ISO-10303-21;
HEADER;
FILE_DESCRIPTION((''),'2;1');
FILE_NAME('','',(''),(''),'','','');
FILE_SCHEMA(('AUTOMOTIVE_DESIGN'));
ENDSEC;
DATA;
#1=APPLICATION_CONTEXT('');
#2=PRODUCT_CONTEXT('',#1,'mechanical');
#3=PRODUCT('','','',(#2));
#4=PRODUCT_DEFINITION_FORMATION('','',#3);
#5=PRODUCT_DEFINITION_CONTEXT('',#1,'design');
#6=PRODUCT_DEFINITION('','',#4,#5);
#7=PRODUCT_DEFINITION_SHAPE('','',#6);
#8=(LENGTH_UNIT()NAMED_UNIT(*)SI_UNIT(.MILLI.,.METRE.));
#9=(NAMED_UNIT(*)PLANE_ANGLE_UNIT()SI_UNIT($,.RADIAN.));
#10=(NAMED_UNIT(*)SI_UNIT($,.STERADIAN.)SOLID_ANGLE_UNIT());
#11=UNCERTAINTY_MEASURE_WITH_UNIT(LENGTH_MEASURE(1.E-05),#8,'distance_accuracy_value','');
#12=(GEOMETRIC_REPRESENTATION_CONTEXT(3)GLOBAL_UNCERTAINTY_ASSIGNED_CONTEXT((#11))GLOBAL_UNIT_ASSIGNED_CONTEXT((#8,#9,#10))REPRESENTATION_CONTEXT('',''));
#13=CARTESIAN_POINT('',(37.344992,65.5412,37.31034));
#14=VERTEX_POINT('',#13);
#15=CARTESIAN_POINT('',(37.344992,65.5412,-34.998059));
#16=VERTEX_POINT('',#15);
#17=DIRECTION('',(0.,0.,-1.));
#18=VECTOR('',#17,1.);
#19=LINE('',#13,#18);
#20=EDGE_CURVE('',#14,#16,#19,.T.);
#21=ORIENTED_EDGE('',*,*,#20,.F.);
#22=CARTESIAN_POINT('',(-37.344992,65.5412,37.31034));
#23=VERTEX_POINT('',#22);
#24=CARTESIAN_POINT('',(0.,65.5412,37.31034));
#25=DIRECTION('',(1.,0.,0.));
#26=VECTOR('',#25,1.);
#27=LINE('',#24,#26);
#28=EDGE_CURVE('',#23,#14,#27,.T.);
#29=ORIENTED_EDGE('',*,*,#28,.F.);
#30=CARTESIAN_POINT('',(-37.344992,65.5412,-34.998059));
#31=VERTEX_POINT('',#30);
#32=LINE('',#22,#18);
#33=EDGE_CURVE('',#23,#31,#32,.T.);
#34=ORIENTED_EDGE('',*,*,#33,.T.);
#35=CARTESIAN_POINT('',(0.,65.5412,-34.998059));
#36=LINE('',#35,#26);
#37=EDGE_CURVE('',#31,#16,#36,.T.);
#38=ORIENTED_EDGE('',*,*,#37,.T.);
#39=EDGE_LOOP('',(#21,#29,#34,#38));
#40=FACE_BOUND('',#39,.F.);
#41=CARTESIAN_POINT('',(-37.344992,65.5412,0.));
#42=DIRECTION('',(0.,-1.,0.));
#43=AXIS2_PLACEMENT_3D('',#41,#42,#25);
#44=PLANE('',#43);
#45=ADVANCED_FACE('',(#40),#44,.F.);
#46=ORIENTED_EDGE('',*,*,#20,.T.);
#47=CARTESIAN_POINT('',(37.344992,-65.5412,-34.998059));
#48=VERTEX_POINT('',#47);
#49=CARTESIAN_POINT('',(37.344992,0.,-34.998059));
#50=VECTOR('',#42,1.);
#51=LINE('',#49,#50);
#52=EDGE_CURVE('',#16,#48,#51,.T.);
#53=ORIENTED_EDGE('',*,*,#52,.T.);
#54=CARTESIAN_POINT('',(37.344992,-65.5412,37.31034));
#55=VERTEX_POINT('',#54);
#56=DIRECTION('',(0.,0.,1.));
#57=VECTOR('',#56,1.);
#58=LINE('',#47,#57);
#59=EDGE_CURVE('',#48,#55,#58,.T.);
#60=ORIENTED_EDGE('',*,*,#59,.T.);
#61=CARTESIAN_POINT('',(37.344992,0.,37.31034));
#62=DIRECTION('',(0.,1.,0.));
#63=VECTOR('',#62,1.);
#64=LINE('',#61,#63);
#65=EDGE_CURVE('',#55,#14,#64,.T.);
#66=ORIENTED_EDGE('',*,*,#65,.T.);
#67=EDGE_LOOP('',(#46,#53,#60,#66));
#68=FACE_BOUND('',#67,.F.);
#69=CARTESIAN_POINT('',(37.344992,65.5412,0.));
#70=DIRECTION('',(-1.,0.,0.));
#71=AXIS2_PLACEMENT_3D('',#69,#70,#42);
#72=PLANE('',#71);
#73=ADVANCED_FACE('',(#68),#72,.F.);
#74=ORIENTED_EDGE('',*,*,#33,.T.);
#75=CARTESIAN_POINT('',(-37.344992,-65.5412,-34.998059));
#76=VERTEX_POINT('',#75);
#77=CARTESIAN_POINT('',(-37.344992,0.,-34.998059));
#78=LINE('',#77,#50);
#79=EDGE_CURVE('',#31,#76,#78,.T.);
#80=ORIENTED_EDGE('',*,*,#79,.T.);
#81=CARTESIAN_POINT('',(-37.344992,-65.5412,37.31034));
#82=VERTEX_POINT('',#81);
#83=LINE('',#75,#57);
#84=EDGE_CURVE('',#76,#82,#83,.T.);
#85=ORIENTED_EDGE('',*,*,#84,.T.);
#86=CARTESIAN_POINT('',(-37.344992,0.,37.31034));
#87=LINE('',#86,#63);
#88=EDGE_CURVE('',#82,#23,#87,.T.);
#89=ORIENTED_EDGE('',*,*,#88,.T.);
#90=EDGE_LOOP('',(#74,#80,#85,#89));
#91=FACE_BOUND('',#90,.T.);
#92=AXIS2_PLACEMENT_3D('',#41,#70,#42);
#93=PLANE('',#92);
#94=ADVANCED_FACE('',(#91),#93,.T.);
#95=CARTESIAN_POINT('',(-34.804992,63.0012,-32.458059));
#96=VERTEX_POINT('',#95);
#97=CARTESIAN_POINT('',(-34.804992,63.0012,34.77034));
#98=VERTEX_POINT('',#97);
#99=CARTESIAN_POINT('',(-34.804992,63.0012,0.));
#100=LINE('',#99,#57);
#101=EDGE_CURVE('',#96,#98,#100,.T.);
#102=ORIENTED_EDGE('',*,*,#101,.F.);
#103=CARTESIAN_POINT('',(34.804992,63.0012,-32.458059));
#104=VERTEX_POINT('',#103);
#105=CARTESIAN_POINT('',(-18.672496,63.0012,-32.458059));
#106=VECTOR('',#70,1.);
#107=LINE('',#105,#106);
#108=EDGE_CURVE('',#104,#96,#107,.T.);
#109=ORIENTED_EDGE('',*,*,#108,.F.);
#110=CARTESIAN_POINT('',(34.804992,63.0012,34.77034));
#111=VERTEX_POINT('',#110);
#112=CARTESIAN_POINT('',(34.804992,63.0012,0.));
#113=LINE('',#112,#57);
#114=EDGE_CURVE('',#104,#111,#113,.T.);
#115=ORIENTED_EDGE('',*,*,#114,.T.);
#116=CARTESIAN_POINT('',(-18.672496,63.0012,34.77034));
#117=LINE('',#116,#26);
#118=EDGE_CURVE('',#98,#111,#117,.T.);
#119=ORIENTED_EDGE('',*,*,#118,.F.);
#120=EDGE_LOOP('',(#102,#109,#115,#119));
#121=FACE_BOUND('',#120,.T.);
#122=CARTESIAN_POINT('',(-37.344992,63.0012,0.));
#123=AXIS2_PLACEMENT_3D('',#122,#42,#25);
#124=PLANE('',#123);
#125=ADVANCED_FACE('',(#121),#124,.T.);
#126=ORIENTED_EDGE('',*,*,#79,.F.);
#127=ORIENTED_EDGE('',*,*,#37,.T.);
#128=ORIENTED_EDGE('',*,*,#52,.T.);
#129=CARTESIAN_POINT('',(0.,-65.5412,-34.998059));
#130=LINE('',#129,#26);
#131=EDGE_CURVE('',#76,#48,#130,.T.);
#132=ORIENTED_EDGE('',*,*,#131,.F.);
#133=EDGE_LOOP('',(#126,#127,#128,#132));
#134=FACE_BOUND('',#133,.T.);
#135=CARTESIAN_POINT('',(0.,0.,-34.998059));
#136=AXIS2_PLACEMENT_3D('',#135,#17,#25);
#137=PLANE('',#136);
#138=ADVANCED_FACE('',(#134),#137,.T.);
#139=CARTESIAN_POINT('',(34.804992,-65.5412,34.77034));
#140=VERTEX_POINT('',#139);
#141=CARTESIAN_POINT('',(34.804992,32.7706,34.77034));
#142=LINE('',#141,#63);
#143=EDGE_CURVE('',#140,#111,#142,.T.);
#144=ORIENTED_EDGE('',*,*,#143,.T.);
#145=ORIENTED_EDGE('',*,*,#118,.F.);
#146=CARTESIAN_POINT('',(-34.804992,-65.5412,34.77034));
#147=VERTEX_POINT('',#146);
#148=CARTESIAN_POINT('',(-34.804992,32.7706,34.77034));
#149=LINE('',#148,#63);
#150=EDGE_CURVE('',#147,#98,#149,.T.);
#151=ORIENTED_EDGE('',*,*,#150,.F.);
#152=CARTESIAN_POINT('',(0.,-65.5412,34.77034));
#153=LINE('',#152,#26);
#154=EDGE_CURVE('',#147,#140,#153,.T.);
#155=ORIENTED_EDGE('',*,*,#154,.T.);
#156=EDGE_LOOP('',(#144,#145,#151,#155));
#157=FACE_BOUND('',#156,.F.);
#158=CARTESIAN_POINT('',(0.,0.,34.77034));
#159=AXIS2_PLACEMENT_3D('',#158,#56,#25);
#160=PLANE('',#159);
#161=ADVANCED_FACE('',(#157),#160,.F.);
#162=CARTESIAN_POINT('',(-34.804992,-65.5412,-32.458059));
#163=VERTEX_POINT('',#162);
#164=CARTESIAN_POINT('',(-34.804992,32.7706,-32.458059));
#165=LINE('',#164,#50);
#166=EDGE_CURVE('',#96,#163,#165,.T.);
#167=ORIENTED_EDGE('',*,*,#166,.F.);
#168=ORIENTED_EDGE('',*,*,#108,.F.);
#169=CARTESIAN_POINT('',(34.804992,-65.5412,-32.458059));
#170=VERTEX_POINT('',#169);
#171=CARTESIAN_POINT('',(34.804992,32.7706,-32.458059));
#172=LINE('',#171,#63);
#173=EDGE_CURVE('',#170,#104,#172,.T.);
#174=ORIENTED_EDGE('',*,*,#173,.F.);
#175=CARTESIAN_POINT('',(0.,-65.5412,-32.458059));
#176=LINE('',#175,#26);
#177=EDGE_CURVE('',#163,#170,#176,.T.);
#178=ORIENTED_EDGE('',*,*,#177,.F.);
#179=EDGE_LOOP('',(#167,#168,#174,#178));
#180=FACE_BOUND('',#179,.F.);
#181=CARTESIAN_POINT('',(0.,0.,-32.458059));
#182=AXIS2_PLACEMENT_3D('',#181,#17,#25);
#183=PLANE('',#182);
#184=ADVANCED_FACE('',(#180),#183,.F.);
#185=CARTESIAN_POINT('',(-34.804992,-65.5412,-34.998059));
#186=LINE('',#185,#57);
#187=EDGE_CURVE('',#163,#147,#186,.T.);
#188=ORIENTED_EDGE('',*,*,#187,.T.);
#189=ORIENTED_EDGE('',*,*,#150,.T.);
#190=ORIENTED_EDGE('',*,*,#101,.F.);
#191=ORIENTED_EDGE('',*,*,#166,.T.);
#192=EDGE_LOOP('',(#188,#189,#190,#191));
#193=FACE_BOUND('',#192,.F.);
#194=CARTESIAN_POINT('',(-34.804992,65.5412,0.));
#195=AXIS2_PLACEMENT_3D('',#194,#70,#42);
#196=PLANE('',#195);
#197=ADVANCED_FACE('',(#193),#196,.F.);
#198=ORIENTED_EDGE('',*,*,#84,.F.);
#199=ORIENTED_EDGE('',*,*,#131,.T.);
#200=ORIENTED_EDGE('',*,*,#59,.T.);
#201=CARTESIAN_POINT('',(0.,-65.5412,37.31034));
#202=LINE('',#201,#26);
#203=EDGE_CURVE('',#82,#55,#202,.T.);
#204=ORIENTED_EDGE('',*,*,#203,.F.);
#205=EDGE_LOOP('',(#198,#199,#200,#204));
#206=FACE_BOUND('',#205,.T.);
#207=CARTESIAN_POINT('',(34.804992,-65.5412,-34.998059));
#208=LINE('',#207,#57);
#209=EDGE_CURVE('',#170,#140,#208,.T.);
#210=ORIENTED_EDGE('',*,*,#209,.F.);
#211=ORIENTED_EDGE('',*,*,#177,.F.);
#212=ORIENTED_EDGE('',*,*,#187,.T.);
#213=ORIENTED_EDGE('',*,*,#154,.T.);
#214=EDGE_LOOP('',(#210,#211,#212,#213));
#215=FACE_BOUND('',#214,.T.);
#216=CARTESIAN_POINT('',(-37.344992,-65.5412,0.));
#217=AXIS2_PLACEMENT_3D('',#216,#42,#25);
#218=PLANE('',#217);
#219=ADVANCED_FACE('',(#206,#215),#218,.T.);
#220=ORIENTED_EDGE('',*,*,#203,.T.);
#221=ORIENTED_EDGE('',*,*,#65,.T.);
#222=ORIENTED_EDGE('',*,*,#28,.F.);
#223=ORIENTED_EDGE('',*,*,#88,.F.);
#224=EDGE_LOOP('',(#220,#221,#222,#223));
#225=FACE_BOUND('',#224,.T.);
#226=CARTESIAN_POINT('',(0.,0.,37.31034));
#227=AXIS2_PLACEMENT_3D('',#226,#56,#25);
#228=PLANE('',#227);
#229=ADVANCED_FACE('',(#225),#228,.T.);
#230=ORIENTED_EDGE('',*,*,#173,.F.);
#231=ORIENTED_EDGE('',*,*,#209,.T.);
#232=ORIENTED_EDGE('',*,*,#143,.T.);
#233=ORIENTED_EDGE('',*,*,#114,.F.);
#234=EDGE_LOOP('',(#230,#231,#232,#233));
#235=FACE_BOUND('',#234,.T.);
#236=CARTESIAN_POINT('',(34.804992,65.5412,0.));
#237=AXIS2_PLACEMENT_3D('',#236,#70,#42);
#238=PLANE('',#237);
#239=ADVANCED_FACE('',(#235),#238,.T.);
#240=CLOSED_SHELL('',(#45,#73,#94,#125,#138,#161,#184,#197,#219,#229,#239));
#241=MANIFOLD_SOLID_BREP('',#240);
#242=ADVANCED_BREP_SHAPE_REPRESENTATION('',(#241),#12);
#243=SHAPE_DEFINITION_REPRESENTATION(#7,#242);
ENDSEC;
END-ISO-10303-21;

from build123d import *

# Parameters (mm, degrees)
F0_W      = 74.689984
F0_H      = 131.0824
F1_DEPTH  = 37.31034
F1_FACE_W = 74.689984
F1_FACE_H = 131.0824
F2_DEPTH  = 34.998059
F3_T      = -2.54


with BuildPart() as f1:
    # F0 (on Top) → F1 (new body)
    with BuildSketch(Plane.XY):
        Rectangle(F0_W, F0_H)
    extrude(amount=F1_DEPTH)

    # F1_face (on face) → F2 (join)
    with BuildSketch(Plane(origin=(0, 0, 0), x_dir=(1, 0, 0), z_dir=(0, 0, -1))):
        Rectangle(F1_FACE_W, F1_FACE_H)
    extrude(amount=F2_DEPTH)

    # F3
    f3_openings = [f1.faces().sort_by_distance(p)[0] for p in [
        (0, -65.5412, 1.15614),
    ]]
    offset(amount=F3_T, openings=f3_openings)


solid = f1.part
